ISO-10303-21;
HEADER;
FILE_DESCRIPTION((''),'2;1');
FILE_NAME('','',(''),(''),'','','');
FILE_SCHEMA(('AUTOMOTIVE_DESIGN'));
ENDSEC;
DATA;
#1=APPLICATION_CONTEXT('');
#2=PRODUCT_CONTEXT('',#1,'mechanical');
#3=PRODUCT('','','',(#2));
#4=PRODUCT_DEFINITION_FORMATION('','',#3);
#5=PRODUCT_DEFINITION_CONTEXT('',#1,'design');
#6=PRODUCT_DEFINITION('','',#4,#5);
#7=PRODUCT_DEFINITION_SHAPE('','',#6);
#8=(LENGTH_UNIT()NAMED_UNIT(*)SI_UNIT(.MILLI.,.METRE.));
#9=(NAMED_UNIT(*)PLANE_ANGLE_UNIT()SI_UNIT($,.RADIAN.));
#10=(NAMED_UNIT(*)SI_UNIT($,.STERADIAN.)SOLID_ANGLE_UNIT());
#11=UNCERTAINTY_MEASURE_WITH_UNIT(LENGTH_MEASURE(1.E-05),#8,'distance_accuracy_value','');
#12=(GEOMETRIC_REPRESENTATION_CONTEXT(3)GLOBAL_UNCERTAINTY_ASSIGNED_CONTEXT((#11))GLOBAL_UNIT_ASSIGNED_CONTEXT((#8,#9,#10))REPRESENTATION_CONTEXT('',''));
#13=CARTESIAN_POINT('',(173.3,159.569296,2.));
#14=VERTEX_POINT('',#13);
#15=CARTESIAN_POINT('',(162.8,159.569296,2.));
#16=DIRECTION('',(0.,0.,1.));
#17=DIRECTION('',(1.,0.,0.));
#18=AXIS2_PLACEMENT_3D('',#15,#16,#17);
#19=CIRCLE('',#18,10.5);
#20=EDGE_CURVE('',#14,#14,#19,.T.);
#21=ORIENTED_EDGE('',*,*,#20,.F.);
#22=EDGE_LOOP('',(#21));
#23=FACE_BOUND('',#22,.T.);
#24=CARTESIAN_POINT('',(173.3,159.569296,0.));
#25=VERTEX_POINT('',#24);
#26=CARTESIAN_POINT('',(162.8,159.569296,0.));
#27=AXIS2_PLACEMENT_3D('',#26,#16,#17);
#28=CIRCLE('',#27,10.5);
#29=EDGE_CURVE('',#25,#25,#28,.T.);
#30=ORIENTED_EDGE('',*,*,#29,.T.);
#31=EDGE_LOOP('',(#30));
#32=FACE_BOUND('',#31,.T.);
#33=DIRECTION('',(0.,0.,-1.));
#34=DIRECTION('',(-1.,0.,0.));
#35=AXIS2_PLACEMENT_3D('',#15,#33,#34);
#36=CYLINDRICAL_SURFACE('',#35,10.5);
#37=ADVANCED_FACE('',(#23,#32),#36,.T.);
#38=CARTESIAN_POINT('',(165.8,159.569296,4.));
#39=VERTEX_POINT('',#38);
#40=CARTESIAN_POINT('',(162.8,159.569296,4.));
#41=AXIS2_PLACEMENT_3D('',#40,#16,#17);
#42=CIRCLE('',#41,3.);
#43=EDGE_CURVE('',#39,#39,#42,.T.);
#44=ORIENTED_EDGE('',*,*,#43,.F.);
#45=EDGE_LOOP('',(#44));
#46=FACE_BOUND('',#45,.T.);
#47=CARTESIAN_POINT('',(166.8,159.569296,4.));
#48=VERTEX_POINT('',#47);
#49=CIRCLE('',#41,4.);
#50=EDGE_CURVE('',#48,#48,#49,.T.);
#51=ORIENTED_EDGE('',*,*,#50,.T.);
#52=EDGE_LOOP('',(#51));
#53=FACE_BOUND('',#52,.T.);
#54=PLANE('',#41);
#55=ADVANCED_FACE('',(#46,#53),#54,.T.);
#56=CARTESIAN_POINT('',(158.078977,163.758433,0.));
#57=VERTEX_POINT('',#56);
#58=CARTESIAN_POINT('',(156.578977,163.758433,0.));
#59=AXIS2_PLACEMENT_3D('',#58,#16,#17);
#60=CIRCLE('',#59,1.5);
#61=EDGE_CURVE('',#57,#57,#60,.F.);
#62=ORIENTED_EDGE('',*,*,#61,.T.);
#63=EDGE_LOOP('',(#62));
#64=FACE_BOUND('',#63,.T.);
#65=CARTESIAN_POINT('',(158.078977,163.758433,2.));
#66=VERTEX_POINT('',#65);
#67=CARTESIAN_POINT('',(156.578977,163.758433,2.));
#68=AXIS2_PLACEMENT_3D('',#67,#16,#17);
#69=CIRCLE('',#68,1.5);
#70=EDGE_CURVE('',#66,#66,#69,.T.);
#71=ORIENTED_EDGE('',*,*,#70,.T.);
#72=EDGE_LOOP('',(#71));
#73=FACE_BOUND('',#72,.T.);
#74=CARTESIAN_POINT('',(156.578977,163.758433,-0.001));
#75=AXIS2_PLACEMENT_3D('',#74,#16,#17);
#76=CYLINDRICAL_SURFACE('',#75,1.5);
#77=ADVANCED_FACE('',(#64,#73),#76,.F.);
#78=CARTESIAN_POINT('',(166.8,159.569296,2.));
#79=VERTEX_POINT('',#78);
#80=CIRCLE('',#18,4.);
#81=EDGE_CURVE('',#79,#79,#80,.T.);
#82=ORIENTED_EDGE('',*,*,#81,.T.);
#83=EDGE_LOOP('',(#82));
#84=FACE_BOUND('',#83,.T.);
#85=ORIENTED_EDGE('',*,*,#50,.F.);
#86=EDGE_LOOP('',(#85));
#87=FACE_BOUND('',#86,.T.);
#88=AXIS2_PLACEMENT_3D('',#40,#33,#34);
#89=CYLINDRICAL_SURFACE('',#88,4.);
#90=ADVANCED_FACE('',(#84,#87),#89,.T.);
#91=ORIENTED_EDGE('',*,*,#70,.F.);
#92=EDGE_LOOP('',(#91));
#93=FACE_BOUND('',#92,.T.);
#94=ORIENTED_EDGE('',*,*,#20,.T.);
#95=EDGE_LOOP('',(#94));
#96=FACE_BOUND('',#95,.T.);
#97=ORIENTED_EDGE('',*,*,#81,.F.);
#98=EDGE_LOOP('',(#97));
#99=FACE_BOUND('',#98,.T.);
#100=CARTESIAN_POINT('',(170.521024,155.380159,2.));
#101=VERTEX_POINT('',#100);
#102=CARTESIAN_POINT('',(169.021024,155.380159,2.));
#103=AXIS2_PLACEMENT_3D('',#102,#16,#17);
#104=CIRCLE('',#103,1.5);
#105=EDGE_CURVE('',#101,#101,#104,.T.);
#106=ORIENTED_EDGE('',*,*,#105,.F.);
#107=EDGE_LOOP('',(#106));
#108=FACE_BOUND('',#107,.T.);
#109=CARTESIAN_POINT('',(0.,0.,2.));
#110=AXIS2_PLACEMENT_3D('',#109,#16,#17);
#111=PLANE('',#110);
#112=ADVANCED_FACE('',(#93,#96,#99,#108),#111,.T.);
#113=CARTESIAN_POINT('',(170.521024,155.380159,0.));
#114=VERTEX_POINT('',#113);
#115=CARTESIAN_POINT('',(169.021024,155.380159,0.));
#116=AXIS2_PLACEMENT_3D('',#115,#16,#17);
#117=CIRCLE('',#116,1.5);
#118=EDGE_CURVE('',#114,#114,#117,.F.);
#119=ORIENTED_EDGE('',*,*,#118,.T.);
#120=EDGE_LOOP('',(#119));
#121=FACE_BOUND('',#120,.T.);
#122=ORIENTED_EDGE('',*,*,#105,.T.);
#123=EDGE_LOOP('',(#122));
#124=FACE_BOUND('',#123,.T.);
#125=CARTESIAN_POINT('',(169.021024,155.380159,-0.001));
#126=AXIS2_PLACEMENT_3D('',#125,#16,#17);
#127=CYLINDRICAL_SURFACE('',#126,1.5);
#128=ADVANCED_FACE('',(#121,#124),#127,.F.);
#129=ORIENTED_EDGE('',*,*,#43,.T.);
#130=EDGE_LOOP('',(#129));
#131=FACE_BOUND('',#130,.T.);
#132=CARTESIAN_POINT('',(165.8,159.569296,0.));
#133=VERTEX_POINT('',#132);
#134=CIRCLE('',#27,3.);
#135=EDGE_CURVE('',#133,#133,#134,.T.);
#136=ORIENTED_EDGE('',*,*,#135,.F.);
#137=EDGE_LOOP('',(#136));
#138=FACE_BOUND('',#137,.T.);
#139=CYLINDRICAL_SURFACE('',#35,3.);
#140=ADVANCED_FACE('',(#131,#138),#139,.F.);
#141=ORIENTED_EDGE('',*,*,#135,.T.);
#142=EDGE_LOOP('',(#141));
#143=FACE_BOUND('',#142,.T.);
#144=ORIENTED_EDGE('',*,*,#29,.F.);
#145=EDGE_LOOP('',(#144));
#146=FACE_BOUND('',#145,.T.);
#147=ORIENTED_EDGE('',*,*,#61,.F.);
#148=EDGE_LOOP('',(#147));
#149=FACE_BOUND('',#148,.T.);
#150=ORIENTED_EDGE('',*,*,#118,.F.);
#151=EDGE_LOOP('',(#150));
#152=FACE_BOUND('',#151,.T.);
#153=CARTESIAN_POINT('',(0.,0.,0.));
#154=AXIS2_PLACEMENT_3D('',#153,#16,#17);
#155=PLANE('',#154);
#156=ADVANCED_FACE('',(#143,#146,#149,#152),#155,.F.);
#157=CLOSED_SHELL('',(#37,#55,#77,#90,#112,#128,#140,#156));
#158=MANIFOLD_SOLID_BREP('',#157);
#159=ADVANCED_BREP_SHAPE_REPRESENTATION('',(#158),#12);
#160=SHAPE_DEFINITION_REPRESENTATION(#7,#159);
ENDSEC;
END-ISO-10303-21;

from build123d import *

# Parameters (mm, degrees)
MODEL_R                 = 10.5
MODEL_R_2               = 3
SALIENTE_EXTRUIR1_DEPTH = 2
CORTAR_EXTRUIR1_REACH   = 4
CROQUIS2_R              = 1.5
CROQUIS3_R              = 4.000000302
CROQUIS3_R_2            = 3
SALIENTE_EXTRUIR2_DEPTH = 2


with BuildPart() as part:
    # Model → Saliente-Extruir1 (new body)
    with BuildSketch(Plane.XY):
        with Locations((162.8, 159.569296)):
            Circle(MODEL_R)
        with Locations((162.8, 159.569296)):
            Circle(MODEL_R_2, mode=Mode.SUBTRACT)
    extrude(amount=SALIENTE_EXTRUIR1_DEPTH)

    # Croquis2 → Cortar-Extruir1 (cut, up to next)
    with BuildSketch(Plane.XY.offset(2), mode=Mode.PRIVATE) as cortar_extruir1_sk1:
        with Locations((156.57897681, 163.758432659)):
            Circle(CROQUIS2_R)
    cortar_extruir1_tool1 = extrude(cortar_extruir1_sk1.sketch, amount=-CORTAR_EXTRUIR1_REACH, mode=Mode.PRIVATE) & part.part
    add(cortar_extruir1_tool1.solids().sort_by_distance((156.578977, 163.758433, 2))[0], mode=Mode.SUBTRACT)
    # Croquis2 → Cortar-Extruir1 (cut, up to next)
    with BuildSketch(Plane.XY.offset(2), mode=Mode.PRIVATE) as cortar_extruir1_sk2:
        with Locations((169.021023816, 155.380159191)):
            Circle(CROQUIS2_R)
    cortar_extruir1_tool2 = extrude(cortar_extruir1_sk2.sketch, amount=-CORTAR_EXTRUIR1_REACH, mode=Mode.PRIVATE) & part.part
    add(cortar_extruir1_tool2.solids().sort_by_distance((169.021024, 155.380159, 2))[0], mode=Mode.SUBTRACT)

    # Croquis3 → Saliente-Extruir2 (add)
    with BuildSketch(Plane.XY.offset(2)):
        with Locations((162.8, 159.569296)):
            Circle(CROQUIS3_R)
        with Locations((162.8, 159.569296)):
            Circle(CROQUIS3_R_2, mode=Mode.SUBTRACT)
    extrude(amount=SALIENTE_EXTRUIR2_DEPTH)


solid = part.part
